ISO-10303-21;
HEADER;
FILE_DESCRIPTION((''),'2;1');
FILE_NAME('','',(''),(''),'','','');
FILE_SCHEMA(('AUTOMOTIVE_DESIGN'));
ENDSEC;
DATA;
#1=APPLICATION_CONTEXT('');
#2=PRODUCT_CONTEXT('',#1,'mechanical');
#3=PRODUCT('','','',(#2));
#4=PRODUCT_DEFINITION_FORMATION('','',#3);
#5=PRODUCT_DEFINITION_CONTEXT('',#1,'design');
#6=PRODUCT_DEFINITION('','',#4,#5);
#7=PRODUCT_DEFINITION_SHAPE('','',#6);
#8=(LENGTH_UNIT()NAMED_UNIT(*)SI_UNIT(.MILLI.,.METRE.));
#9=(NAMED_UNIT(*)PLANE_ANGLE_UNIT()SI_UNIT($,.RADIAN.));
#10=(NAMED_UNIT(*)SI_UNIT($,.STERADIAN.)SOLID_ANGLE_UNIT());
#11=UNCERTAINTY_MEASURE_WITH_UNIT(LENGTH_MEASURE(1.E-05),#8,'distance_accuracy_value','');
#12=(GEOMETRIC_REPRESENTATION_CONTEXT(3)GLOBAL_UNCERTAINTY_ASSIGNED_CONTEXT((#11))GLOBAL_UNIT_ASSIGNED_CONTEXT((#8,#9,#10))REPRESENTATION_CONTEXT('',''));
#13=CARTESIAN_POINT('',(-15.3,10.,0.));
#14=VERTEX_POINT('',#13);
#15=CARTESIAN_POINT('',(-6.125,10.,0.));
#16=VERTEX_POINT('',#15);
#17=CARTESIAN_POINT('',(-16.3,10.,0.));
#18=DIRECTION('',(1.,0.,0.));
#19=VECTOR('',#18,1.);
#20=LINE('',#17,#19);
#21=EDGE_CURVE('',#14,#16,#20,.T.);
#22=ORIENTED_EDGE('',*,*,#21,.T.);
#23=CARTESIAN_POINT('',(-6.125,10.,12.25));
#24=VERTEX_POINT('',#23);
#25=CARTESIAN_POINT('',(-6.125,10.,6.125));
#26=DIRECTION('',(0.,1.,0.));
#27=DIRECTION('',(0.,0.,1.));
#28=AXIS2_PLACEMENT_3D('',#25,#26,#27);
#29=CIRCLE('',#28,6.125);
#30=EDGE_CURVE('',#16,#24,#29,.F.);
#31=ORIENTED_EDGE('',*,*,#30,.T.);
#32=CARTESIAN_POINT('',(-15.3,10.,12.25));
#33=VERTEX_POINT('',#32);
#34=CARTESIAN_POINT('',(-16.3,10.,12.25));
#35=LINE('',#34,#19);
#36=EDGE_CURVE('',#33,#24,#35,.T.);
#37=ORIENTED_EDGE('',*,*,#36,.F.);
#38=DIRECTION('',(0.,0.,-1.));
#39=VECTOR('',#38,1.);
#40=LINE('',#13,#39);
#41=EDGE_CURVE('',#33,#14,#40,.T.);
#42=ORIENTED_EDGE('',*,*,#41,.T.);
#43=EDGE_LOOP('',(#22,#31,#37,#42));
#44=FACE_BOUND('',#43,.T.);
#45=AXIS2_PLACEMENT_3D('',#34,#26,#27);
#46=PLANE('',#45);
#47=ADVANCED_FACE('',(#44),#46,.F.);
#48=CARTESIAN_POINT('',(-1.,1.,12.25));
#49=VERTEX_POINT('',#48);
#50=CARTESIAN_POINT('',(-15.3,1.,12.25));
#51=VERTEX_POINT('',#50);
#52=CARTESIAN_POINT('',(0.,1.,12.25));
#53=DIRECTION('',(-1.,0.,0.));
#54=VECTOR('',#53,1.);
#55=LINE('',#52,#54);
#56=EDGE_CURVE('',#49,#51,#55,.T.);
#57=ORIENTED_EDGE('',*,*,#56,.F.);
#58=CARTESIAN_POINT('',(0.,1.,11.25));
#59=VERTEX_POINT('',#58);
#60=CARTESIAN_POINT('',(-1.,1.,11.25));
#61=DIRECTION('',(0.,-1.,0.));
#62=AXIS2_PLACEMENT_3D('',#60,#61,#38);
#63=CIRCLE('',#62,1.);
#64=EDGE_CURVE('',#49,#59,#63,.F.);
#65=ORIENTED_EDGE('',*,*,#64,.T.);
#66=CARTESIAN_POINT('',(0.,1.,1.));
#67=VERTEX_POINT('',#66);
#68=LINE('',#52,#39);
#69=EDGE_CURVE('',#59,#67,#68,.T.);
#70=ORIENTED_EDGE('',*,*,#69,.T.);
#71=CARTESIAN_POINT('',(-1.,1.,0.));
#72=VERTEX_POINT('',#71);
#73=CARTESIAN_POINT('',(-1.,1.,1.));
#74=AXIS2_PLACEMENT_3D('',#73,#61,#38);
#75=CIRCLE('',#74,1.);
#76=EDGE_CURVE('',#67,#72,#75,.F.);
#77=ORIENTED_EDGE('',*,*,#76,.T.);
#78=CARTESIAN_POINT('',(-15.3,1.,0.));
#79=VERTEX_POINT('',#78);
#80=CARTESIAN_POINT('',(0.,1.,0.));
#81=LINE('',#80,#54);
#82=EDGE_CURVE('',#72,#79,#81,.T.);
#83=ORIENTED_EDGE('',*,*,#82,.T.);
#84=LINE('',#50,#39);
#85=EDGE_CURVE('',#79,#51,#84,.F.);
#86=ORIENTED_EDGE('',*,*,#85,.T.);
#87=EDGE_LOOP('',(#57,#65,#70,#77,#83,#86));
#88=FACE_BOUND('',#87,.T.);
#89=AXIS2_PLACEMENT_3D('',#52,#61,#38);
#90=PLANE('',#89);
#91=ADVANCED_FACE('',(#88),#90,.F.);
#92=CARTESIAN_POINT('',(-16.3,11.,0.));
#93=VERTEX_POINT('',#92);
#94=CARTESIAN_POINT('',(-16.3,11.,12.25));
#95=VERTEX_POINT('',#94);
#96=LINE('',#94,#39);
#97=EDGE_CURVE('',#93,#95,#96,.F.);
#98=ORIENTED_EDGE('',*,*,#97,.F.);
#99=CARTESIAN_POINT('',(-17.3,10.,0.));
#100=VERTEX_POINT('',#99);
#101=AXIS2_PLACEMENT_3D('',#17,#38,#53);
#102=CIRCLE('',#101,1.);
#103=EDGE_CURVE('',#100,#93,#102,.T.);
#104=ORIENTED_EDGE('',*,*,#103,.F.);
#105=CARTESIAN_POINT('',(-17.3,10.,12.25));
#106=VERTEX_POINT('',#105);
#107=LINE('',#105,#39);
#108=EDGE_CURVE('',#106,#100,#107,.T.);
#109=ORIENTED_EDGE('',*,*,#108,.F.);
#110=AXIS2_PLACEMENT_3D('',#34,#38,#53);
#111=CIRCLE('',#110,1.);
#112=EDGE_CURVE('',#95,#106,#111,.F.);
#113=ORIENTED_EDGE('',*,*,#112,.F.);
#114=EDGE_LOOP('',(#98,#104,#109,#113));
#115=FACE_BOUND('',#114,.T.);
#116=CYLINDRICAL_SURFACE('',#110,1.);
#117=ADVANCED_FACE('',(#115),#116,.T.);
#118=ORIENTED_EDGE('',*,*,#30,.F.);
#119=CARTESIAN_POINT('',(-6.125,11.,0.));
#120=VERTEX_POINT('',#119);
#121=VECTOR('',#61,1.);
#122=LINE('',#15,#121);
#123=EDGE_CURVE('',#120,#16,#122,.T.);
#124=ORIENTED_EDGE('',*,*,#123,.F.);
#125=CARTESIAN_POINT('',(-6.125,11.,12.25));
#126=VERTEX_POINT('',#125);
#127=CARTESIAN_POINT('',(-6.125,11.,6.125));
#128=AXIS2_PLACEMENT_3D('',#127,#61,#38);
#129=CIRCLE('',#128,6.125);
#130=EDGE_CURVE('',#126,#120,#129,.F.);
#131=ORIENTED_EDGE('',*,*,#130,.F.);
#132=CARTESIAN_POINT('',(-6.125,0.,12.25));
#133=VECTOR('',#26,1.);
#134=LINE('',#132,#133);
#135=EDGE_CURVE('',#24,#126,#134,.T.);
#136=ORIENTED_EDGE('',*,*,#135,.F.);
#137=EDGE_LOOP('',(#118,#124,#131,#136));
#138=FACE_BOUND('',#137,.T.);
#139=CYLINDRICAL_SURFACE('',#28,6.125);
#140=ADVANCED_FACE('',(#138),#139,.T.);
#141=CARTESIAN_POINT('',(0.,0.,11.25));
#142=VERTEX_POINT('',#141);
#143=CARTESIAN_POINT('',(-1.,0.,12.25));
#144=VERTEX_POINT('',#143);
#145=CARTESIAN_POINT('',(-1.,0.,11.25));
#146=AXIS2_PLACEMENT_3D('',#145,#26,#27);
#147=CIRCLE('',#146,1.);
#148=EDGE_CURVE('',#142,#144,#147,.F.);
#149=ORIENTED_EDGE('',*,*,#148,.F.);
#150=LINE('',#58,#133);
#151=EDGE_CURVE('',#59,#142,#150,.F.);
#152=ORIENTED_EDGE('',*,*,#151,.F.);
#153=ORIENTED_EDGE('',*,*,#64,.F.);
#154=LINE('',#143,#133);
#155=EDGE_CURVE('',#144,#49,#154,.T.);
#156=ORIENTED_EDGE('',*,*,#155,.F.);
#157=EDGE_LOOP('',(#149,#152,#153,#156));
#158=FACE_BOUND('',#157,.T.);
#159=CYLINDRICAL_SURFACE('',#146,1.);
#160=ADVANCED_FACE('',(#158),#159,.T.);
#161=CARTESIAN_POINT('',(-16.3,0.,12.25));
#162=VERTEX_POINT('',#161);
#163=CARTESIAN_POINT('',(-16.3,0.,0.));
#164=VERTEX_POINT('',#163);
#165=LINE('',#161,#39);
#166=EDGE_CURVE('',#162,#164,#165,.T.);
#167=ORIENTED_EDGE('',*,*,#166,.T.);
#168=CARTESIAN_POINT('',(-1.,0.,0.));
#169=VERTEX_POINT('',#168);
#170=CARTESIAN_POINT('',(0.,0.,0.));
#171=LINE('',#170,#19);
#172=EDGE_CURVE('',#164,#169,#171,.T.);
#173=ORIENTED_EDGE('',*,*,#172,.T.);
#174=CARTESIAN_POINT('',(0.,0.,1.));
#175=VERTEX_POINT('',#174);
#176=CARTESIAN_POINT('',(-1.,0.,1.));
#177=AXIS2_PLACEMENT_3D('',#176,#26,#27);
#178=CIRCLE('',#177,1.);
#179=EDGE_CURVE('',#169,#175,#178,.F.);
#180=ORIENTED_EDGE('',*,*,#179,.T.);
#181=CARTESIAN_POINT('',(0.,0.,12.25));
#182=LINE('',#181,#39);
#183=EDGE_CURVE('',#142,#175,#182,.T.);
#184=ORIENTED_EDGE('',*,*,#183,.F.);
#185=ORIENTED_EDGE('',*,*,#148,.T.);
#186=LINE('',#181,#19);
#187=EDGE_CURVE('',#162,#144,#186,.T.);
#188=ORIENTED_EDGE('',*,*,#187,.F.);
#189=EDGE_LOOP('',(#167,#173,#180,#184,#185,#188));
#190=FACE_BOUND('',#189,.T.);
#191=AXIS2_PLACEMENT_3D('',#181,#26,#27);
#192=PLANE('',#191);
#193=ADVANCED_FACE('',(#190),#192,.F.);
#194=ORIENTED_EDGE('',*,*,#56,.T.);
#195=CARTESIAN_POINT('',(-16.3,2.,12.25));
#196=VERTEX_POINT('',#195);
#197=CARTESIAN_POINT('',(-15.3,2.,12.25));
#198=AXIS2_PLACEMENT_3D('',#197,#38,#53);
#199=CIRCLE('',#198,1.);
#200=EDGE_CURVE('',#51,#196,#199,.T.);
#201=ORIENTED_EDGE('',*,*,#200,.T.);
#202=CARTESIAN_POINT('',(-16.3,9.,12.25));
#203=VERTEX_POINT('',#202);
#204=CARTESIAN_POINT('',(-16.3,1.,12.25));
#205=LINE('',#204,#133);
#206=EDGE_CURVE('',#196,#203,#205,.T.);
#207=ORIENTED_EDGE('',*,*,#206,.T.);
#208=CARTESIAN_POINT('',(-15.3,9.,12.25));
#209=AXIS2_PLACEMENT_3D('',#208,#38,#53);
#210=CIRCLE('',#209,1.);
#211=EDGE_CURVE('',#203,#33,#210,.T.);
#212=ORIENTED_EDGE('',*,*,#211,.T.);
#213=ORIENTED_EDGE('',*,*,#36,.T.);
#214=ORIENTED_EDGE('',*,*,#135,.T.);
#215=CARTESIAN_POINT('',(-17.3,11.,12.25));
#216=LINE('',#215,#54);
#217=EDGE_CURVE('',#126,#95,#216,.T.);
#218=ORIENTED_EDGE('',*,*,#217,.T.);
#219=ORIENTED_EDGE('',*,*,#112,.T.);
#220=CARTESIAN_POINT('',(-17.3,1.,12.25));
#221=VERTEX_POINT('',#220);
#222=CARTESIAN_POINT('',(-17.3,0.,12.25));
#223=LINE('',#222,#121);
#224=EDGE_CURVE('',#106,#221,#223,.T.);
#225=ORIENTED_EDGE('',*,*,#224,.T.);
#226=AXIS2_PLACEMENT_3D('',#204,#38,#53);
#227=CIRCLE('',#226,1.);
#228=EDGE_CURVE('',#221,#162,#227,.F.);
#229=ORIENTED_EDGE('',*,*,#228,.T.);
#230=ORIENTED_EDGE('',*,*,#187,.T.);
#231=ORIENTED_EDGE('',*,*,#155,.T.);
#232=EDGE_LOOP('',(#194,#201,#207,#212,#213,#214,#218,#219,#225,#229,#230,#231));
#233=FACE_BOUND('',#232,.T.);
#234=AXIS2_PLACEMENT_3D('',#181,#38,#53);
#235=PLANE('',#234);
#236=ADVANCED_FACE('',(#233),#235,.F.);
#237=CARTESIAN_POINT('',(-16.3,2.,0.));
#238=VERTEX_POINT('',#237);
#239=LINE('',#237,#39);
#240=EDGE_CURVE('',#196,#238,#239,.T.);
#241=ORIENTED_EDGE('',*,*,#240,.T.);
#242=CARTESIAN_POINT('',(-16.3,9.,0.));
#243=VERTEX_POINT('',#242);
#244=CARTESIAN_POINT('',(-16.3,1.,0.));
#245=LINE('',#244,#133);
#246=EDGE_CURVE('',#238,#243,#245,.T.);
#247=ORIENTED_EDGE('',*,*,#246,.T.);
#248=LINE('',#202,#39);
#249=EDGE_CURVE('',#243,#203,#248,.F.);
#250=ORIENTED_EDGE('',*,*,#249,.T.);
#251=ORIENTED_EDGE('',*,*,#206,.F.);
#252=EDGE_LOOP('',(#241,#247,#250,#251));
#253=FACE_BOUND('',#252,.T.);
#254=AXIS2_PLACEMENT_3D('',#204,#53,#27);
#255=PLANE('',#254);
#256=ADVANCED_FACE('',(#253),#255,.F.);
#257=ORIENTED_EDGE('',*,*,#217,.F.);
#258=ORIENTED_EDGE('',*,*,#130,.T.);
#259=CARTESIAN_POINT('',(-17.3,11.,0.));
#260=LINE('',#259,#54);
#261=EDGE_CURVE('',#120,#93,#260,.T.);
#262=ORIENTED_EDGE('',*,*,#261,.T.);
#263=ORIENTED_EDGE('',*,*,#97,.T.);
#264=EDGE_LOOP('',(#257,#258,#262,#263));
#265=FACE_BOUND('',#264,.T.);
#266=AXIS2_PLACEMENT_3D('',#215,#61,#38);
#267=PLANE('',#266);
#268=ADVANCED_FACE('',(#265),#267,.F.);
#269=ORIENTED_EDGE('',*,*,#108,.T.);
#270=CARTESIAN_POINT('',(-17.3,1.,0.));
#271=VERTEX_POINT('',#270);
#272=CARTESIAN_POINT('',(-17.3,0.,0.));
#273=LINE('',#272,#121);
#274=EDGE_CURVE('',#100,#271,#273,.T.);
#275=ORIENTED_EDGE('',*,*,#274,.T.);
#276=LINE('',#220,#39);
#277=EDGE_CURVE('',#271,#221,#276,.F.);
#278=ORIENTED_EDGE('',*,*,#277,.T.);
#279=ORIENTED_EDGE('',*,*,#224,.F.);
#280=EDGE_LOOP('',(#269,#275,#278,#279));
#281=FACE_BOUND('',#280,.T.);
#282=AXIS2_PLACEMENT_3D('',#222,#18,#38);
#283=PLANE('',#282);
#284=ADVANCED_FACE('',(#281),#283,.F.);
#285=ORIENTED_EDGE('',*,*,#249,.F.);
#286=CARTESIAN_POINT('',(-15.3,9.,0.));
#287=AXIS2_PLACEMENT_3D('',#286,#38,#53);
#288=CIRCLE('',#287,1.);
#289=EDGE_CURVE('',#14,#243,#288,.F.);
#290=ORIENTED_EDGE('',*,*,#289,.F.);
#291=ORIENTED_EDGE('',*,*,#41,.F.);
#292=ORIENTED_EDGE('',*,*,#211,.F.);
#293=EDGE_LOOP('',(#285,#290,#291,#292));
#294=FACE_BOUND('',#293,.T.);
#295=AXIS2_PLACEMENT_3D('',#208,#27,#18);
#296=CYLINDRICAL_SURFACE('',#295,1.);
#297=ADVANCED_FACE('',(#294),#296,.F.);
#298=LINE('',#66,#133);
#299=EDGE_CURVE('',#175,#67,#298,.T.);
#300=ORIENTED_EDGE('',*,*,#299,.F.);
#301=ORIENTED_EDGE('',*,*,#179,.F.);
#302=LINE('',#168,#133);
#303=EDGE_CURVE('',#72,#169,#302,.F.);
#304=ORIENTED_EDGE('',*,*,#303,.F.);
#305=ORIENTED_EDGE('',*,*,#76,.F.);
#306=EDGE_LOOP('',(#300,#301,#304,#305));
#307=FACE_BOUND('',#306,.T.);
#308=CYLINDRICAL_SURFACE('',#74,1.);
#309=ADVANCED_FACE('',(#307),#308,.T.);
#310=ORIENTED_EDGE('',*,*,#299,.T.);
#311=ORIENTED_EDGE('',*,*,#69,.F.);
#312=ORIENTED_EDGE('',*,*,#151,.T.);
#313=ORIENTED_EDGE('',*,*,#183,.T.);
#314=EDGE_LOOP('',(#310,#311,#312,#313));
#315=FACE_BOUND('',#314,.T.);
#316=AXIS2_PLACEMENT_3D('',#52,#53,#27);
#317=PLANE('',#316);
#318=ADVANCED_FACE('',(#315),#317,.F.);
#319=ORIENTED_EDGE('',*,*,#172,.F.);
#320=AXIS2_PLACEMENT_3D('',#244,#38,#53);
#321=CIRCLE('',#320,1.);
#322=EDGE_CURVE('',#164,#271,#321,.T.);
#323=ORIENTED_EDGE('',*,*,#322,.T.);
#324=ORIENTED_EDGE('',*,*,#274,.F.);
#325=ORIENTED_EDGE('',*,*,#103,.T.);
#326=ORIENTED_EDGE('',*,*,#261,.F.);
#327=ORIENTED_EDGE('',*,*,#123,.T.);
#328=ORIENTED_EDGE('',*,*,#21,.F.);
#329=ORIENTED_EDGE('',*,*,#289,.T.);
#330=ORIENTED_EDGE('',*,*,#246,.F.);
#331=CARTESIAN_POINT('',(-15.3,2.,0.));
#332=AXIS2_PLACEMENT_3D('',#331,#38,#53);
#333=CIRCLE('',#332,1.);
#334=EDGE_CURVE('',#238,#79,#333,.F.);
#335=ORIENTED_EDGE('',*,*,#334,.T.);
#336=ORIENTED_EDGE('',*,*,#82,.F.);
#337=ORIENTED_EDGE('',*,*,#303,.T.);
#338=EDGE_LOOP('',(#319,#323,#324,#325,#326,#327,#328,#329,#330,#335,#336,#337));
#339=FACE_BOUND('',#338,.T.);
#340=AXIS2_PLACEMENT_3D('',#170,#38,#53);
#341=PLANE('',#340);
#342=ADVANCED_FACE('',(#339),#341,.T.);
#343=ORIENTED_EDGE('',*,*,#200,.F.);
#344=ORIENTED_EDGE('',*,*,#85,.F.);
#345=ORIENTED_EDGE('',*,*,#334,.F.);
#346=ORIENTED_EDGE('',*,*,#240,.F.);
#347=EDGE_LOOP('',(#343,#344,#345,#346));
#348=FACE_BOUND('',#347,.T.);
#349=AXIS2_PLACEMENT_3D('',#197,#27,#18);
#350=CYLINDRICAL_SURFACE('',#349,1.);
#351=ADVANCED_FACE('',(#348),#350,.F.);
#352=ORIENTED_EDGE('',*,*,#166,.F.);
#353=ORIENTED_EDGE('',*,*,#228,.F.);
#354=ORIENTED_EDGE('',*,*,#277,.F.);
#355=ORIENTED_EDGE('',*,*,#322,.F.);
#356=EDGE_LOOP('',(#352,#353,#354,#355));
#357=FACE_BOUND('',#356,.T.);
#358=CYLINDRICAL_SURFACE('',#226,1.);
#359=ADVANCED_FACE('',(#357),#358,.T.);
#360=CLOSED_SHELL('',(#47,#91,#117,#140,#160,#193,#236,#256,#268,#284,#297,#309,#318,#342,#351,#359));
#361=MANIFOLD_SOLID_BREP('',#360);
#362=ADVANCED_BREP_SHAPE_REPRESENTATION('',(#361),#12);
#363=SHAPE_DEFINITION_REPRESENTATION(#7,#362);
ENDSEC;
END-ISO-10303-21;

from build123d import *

# Parameters (mm, degrees)
BOSS_EXTRUDE2_DEPTH = 12.25
FILLET1_RADIUS      = 6.125
FILLET1_LENGTH      = 1
FILLET3_R           = 1


with BuildPart() as part:
    # Sketch1 → Boss-Extrude2 (new body)
    with BuildSketch(Plane.XY):
        Polygon((0, 0), (-17.3, 0), (-17.3, 11), (0, 11), (0, 10), (-16.3, 10), (-16.3, 1), (0, 1), align=None)
    extrude(amount=BOSS_EXTRUDE2_DEPTH)

    # Fillet1: full round fillet: the end face becomes a half cylinder, R = half its width
    fillet1_face = Plane((0, 10.5, 6.125), x_dir=(0, -1, 0), z_dir=(1, 0, 0))  # on the end face: x along it, z out of the body
    fillet1_slab = fillet1_face.offset(-FILLET1_RADIUS / 2) * Box(FILLET1_LENGTH, 2 * FILLET1_RADIUS, FILLET1_RADIUS, mode=Mode.PRIVATE)  # the body's end, R deep
    fillet1_round = Plane((-6.125, 10.5, 6.125), x_dir=(1, 0, 0), z_dir=(0, -1, 0)) * Cylinder(FILLET1_RADIUS, FILLET1_LENGTH, mode=Mode.PRIVATE)  # its axis R under the face
    add(fillet1_slab - fillet1_round, mode=Mode.SUBTRACT)

    # Fillet3
    fillet3_edges = [part.edges().sort_by_distance(p)[0] for p in [
        (0, 0.5, 0),
        (-17.3, 0, 6.125),
        (-17.3, 11, 6.125),
        (-16.3, 10, 6.125),
        (-16.3, 1, 6.125),
        (0, 0.5, 12.25),
    ]]
    fillet(fillet3_edges, radius=FILLET3_R)


solid = part.part
